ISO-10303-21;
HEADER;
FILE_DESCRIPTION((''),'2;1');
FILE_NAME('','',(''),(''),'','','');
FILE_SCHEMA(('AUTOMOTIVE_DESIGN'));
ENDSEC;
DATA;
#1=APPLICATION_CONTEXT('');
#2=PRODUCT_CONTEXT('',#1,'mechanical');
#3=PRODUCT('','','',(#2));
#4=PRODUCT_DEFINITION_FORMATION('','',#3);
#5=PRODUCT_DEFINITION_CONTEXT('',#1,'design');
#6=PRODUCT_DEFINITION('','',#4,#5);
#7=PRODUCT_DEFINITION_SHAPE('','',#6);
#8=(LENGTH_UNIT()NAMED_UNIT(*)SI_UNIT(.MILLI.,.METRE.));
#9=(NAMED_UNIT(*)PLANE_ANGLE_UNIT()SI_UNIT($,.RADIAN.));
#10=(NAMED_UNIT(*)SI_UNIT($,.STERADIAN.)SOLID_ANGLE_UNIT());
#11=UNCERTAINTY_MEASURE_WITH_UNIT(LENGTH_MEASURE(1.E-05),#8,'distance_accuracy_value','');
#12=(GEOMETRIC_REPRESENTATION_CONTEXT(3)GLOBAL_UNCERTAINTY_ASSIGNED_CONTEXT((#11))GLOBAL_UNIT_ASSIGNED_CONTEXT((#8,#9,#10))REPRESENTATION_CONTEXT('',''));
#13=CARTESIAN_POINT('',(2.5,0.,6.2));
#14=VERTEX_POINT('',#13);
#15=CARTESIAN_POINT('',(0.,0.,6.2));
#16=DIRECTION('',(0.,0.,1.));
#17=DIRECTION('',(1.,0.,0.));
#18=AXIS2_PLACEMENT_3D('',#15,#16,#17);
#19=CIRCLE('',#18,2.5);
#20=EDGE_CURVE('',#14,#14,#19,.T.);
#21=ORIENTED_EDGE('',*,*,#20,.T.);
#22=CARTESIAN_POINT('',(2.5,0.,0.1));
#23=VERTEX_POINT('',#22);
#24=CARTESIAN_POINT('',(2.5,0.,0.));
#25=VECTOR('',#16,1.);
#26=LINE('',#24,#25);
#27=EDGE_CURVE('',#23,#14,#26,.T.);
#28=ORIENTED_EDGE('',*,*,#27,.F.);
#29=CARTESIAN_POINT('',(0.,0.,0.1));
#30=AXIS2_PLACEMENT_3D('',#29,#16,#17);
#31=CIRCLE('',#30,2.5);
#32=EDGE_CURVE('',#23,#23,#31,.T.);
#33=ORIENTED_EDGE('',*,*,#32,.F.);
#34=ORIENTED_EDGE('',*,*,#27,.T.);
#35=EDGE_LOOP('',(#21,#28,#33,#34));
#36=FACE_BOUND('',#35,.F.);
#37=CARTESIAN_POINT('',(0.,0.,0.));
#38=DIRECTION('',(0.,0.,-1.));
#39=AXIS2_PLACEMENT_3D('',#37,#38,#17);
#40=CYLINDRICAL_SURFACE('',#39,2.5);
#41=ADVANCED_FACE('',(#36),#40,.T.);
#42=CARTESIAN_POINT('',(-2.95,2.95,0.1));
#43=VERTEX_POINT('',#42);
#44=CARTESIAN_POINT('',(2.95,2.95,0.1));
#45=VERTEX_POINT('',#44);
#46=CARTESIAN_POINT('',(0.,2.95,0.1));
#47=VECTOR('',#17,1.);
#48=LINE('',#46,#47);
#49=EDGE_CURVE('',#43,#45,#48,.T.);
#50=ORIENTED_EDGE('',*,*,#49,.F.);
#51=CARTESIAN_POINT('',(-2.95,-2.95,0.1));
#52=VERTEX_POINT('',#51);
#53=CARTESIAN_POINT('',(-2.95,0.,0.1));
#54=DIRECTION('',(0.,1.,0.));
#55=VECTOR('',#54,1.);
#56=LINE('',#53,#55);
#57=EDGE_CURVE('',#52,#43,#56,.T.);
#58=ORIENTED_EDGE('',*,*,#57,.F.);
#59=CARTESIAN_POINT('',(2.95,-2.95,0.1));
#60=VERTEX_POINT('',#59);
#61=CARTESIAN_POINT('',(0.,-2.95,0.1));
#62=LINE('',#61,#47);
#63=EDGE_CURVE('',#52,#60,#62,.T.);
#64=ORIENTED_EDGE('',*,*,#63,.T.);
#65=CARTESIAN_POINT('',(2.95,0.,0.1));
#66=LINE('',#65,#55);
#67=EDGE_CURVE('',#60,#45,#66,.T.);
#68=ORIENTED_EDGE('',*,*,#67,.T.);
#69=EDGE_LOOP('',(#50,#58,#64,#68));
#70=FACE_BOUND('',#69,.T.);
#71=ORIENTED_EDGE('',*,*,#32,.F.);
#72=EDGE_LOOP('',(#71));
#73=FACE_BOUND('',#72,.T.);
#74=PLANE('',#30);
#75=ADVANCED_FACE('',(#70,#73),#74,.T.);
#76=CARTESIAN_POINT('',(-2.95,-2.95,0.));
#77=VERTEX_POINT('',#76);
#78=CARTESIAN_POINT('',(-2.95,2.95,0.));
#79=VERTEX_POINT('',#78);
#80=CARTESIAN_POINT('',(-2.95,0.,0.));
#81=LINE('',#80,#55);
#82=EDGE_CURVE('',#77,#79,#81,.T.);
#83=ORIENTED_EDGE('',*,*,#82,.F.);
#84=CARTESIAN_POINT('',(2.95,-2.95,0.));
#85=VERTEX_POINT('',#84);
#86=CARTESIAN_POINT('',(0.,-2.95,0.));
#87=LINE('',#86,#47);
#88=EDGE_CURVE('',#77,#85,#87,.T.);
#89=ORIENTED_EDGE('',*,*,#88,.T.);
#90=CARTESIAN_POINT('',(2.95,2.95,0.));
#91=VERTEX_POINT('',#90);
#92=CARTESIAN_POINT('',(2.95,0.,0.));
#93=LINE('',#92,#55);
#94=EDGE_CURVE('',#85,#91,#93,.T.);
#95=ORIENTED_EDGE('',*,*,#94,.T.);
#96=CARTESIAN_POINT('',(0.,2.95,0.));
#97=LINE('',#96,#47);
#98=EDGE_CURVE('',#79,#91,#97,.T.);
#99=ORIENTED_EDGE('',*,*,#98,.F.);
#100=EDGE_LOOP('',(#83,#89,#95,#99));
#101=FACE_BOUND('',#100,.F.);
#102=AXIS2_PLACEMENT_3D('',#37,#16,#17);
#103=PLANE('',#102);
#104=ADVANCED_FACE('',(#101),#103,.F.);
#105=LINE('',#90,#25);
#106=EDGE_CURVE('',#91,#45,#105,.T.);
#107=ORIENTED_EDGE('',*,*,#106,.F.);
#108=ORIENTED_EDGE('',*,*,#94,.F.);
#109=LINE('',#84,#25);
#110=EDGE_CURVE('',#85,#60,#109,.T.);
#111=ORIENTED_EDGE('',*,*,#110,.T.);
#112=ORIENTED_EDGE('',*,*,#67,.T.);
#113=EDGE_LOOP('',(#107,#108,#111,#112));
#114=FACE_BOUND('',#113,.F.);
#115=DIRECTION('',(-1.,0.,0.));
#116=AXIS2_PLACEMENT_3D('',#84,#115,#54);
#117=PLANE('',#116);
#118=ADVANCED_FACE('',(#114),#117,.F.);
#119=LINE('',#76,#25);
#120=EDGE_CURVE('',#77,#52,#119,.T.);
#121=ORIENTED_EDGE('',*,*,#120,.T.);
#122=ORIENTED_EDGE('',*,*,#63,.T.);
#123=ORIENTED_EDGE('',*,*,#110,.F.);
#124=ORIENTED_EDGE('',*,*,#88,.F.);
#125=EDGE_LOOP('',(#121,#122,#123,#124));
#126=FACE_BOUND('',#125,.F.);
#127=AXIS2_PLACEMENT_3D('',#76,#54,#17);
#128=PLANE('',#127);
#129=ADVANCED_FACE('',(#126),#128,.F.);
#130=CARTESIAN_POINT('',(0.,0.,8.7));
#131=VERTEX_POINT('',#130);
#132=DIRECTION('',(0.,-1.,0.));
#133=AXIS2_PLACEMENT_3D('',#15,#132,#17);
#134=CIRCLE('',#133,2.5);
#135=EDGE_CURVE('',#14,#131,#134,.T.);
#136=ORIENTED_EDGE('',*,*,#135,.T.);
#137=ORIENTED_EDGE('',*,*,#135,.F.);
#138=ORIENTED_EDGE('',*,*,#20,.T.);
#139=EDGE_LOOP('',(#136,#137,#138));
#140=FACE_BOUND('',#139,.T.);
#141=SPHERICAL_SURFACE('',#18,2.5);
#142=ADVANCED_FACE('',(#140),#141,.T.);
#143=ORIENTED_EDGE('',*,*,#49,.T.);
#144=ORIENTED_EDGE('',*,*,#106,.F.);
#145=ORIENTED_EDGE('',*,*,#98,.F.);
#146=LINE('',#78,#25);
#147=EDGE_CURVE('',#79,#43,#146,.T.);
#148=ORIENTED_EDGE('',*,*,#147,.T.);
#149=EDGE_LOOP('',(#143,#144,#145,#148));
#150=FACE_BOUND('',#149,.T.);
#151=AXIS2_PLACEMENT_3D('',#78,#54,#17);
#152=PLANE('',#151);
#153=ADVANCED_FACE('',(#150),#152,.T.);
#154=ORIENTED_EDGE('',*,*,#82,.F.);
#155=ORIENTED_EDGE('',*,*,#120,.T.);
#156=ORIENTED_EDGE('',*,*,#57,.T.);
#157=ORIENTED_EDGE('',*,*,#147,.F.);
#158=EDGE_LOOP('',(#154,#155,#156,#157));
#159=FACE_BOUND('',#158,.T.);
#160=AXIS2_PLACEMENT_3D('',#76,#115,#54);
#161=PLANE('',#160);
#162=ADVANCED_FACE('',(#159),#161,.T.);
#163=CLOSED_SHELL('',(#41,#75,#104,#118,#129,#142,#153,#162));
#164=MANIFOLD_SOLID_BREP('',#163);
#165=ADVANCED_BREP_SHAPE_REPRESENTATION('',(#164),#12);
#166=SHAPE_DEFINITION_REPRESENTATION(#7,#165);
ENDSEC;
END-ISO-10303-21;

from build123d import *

# Parameters (mm, degrees)
F0_W     = 5.9
F0_H     = 5.9
F0_R     = 2.5
F1_DEPTH = 0.1
F2_DEPTH = 8.7
F3_R     = 2.5


with BuildPart() as f1:
    # F0 (on Top) → F1 (new body)
    with BuildSketch(Plane.XY):
        Rectangle(F0_W, F0_H)
        Circle(F0_R, mode=Mode.SUBTRACT)
    extrude(amount=F1_DEPTH)

    # F0 (on Top) → F2 (join)
    with BuildSketch(Plane.XY):
        Circle(F0_R)
    extrude(amount=F2_DEPTH)

    # F3
    f3_edges = [f1.edges().sort_by_distance(p)[0] for p in [
        (-2.5, 0, 8.7),
    ]]
    fillet(f3_edges, radius=F3_R)


solid = f1.part
